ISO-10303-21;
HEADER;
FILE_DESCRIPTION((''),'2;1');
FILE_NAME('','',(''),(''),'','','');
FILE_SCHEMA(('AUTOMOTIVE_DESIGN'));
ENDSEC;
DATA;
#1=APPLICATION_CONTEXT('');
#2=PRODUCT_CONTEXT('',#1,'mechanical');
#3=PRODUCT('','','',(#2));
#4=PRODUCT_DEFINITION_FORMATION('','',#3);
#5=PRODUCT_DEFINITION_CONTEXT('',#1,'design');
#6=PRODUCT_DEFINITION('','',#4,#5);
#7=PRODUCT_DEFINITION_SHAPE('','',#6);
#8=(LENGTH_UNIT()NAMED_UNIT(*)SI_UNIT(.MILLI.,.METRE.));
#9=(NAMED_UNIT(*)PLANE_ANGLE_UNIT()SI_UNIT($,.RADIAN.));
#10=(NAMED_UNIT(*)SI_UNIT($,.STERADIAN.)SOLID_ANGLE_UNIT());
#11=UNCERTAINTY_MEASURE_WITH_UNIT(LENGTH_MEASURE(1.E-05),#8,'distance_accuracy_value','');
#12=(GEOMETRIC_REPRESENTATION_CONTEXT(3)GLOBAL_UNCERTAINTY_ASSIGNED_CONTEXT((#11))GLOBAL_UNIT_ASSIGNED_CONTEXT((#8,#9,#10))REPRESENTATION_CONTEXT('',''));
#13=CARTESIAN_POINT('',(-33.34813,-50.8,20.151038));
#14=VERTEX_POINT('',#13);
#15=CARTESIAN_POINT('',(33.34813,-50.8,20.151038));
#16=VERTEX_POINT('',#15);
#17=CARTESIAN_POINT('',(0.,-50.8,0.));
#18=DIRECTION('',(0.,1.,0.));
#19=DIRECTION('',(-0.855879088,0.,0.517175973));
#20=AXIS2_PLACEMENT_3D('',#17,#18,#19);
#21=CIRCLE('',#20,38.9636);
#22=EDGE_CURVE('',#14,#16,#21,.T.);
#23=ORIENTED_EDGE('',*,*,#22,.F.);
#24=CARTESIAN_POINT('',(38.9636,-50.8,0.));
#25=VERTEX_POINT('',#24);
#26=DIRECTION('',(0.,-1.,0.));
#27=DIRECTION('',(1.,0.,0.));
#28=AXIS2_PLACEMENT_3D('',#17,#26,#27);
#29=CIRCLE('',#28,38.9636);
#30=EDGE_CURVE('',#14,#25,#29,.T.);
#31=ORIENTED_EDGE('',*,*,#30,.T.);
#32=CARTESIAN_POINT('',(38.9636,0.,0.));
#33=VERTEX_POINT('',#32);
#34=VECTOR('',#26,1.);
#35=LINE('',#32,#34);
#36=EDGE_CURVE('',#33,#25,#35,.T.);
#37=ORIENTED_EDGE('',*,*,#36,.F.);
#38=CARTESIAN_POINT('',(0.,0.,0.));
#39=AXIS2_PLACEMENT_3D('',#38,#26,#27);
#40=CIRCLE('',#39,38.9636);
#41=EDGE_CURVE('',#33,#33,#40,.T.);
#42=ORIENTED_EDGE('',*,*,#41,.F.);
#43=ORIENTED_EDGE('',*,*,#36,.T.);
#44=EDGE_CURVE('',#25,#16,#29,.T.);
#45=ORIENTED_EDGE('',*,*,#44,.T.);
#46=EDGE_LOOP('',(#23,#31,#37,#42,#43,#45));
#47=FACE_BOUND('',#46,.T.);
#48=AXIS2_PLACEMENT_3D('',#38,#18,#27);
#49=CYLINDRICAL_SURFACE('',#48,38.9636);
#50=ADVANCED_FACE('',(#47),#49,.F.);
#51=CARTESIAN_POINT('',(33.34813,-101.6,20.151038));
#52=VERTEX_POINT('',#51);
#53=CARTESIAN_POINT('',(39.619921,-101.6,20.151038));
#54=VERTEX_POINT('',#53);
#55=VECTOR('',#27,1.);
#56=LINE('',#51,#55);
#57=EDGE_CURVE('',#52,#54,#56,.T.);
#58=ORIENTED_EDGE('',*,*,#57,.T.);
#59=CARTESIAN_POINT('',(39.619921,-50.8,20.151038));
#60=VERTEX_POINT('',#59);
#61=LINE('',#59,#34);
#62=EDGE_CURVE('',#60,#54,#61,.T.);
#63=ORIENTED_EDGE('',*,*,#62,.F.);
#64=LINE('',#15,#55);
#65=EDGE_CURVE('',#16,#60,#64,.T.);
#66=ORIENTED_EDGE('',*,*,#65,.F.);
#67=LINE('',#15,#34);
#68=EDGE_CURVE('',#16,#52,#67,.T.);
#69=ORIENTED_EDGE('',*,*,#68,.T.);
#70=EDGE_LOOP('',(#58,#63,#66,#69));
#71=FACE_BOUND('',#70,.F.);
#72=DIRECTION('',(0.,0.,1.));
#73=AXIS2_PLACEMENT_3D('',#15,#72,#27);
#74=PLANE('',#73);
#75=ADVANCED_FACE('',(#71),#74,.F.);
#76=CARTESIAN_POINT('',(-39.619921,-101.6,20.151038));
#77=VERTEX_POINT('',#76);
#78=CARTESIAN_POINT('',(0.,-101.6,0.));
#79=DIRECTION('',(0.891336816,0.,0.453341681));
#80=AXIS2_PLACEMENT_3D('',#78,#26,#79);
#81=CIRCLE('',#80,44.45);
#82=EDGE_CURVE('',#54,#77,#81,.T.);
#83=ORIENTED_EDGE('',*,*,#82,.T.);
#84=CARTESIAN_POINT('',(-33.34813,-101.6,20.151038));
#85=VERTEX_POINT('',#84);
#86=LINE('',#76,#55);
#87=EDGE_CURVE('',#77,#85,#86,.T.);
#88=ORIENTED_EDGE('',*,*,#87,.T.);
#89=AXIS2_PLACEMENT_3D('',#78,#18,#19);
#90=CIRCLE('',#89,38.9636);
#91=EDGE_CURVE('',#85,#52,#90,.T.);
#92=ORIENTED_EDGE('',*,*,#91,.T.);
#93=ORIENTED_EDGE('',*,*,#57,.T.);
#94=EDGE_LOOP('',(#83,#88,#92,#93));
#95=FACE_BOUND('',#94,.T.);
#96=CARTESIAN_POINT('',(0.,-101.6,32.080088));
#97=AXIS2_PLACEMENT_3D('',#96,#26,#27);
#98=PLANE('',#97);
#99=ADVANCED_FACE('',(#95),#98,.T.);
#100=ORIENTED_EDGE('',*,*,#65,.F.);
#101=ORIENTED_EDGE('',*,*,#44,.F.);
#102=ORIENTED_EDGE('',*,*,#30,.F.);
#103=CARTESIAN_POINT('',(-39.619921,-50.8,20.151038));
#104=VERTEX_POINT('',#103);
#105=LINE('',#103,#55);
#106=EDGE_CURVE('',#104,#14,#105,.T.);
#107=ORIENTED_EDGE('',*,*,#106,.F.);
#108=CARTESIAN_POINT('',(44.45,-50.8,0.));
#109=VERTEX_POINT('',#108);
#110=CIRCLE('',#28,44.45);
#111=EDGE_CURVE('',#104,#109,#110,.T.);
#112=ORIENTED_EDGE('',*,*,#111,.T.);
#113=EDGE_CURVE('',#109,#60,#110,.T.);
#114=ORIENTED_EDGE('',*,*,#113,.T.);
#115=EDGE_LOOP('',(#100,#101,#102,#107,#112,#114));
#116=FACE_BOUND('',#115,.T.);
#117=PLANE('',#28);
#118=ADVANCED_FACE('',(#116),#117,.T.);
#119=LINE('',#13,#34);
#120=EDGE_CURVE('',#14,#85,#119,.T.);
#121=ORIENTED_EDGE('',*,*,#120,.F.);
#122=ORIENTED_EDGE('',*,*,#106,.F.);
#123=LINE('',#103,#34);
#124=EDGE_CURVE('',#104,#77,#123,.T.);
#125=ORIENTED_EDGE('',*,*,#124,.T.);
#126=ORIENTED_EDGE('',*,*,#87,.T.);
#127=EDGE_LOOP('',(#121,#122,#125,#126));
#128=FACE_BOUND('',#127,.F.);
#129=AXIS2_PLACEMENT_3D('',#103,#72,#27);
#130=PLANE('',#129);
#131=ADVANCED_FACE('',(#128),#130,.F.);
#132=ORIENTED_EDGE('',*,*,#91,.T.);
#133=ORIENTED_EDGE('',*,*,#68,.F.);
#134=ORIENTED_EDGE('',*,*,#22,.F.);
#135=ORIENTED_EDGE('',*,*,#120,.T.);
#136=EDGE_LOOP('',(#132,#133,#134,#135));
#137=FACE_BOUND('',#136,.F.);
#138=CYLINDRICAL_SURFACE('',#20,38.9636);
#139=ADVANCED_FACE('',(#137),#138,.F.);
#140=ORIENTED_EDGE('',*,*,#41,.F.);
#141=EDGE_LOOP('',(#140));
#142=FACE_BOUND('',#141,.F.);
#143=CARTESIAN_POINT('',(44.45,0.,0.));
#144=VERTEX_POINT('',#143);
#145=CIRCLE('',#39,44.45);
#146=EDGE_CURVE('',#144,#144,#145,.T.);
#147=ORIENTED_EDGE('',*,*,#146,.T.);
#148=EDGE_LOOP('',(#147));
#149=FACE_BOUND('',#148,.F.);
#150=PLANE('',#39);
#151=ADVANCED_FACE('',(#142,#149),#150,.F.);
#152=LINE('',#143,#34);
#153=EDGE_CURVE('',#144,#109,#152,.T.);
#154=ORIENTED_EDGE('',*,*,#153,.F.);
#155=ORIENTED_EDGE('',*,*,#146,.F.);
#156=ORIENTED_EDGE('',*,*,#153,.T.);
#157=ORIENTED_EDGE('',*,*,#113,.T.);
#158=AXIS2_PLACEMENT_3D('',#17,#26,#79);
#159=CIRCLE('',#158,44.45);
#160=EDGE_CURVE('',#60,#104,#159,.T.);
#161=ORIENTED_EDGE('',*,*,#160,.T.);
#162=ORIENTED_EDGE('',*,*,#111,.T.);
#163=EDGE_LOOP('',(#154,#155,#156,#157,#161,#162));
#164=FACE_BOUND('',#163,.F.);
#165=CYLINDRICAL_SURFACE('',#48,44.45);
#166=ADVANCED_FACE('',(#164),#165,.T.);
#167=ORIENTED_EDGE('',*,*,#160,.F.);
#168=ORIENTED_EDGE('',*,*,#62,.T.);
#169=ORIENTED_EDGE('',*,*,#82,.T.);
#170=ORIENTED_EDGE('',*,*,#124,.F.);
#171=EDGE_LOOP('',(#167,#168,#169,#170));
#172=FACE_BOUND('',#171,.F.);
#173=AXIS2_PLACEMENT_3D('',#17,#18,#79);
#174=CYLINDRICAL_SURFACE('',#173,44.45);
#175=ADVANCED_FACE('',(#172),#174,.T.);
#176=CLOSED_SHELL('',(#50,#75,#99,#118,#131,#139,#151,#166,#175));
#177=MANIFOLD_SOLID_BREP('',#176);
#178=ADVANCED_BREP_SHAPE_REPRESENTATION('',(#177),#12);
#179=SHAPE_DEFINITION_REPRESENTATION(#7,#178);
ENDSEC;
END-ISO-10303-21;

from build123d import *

# Parameters (mm, degrees)
F0_R     = 44.45
F0_R_2   = 38.9636
F1_DEPTH = 50.8
F3_DEPTH = 50.8


with BuildPart() as f1:
    # F0 (on Front) → F1 (new body)
    with BuildSketch(Plane.XZ):
        Circle(F0_R)
        Circle(F0_R_2, mode=Mode.SUBTRACT)
    extrude(amount=F1_DEPTH)

    # F2 (on face) → F3 (join)
    with BuildSketch(Plane.XZ.offset(50.8)):
        with BuildLine():
            Line((33.3481304372, 20.1510377228), (39.6199214877, 20.1510377228))
            ThreePointArc((39.6199214877, 20.1510377228), (0, 44.45), (-39.6199214877, 20.1510377228))
            Line((-39.6199214877, 20.1510377228), (-33.3481304372, 20.1510377228))
            ThreePointArc((-33.3481304372, 20.1510377228), (0, 38.9636), (33.3481304372, 20.1510377228))
        make_face()
    extrude(amount=F3_DEPTH)


solid = f1.part
